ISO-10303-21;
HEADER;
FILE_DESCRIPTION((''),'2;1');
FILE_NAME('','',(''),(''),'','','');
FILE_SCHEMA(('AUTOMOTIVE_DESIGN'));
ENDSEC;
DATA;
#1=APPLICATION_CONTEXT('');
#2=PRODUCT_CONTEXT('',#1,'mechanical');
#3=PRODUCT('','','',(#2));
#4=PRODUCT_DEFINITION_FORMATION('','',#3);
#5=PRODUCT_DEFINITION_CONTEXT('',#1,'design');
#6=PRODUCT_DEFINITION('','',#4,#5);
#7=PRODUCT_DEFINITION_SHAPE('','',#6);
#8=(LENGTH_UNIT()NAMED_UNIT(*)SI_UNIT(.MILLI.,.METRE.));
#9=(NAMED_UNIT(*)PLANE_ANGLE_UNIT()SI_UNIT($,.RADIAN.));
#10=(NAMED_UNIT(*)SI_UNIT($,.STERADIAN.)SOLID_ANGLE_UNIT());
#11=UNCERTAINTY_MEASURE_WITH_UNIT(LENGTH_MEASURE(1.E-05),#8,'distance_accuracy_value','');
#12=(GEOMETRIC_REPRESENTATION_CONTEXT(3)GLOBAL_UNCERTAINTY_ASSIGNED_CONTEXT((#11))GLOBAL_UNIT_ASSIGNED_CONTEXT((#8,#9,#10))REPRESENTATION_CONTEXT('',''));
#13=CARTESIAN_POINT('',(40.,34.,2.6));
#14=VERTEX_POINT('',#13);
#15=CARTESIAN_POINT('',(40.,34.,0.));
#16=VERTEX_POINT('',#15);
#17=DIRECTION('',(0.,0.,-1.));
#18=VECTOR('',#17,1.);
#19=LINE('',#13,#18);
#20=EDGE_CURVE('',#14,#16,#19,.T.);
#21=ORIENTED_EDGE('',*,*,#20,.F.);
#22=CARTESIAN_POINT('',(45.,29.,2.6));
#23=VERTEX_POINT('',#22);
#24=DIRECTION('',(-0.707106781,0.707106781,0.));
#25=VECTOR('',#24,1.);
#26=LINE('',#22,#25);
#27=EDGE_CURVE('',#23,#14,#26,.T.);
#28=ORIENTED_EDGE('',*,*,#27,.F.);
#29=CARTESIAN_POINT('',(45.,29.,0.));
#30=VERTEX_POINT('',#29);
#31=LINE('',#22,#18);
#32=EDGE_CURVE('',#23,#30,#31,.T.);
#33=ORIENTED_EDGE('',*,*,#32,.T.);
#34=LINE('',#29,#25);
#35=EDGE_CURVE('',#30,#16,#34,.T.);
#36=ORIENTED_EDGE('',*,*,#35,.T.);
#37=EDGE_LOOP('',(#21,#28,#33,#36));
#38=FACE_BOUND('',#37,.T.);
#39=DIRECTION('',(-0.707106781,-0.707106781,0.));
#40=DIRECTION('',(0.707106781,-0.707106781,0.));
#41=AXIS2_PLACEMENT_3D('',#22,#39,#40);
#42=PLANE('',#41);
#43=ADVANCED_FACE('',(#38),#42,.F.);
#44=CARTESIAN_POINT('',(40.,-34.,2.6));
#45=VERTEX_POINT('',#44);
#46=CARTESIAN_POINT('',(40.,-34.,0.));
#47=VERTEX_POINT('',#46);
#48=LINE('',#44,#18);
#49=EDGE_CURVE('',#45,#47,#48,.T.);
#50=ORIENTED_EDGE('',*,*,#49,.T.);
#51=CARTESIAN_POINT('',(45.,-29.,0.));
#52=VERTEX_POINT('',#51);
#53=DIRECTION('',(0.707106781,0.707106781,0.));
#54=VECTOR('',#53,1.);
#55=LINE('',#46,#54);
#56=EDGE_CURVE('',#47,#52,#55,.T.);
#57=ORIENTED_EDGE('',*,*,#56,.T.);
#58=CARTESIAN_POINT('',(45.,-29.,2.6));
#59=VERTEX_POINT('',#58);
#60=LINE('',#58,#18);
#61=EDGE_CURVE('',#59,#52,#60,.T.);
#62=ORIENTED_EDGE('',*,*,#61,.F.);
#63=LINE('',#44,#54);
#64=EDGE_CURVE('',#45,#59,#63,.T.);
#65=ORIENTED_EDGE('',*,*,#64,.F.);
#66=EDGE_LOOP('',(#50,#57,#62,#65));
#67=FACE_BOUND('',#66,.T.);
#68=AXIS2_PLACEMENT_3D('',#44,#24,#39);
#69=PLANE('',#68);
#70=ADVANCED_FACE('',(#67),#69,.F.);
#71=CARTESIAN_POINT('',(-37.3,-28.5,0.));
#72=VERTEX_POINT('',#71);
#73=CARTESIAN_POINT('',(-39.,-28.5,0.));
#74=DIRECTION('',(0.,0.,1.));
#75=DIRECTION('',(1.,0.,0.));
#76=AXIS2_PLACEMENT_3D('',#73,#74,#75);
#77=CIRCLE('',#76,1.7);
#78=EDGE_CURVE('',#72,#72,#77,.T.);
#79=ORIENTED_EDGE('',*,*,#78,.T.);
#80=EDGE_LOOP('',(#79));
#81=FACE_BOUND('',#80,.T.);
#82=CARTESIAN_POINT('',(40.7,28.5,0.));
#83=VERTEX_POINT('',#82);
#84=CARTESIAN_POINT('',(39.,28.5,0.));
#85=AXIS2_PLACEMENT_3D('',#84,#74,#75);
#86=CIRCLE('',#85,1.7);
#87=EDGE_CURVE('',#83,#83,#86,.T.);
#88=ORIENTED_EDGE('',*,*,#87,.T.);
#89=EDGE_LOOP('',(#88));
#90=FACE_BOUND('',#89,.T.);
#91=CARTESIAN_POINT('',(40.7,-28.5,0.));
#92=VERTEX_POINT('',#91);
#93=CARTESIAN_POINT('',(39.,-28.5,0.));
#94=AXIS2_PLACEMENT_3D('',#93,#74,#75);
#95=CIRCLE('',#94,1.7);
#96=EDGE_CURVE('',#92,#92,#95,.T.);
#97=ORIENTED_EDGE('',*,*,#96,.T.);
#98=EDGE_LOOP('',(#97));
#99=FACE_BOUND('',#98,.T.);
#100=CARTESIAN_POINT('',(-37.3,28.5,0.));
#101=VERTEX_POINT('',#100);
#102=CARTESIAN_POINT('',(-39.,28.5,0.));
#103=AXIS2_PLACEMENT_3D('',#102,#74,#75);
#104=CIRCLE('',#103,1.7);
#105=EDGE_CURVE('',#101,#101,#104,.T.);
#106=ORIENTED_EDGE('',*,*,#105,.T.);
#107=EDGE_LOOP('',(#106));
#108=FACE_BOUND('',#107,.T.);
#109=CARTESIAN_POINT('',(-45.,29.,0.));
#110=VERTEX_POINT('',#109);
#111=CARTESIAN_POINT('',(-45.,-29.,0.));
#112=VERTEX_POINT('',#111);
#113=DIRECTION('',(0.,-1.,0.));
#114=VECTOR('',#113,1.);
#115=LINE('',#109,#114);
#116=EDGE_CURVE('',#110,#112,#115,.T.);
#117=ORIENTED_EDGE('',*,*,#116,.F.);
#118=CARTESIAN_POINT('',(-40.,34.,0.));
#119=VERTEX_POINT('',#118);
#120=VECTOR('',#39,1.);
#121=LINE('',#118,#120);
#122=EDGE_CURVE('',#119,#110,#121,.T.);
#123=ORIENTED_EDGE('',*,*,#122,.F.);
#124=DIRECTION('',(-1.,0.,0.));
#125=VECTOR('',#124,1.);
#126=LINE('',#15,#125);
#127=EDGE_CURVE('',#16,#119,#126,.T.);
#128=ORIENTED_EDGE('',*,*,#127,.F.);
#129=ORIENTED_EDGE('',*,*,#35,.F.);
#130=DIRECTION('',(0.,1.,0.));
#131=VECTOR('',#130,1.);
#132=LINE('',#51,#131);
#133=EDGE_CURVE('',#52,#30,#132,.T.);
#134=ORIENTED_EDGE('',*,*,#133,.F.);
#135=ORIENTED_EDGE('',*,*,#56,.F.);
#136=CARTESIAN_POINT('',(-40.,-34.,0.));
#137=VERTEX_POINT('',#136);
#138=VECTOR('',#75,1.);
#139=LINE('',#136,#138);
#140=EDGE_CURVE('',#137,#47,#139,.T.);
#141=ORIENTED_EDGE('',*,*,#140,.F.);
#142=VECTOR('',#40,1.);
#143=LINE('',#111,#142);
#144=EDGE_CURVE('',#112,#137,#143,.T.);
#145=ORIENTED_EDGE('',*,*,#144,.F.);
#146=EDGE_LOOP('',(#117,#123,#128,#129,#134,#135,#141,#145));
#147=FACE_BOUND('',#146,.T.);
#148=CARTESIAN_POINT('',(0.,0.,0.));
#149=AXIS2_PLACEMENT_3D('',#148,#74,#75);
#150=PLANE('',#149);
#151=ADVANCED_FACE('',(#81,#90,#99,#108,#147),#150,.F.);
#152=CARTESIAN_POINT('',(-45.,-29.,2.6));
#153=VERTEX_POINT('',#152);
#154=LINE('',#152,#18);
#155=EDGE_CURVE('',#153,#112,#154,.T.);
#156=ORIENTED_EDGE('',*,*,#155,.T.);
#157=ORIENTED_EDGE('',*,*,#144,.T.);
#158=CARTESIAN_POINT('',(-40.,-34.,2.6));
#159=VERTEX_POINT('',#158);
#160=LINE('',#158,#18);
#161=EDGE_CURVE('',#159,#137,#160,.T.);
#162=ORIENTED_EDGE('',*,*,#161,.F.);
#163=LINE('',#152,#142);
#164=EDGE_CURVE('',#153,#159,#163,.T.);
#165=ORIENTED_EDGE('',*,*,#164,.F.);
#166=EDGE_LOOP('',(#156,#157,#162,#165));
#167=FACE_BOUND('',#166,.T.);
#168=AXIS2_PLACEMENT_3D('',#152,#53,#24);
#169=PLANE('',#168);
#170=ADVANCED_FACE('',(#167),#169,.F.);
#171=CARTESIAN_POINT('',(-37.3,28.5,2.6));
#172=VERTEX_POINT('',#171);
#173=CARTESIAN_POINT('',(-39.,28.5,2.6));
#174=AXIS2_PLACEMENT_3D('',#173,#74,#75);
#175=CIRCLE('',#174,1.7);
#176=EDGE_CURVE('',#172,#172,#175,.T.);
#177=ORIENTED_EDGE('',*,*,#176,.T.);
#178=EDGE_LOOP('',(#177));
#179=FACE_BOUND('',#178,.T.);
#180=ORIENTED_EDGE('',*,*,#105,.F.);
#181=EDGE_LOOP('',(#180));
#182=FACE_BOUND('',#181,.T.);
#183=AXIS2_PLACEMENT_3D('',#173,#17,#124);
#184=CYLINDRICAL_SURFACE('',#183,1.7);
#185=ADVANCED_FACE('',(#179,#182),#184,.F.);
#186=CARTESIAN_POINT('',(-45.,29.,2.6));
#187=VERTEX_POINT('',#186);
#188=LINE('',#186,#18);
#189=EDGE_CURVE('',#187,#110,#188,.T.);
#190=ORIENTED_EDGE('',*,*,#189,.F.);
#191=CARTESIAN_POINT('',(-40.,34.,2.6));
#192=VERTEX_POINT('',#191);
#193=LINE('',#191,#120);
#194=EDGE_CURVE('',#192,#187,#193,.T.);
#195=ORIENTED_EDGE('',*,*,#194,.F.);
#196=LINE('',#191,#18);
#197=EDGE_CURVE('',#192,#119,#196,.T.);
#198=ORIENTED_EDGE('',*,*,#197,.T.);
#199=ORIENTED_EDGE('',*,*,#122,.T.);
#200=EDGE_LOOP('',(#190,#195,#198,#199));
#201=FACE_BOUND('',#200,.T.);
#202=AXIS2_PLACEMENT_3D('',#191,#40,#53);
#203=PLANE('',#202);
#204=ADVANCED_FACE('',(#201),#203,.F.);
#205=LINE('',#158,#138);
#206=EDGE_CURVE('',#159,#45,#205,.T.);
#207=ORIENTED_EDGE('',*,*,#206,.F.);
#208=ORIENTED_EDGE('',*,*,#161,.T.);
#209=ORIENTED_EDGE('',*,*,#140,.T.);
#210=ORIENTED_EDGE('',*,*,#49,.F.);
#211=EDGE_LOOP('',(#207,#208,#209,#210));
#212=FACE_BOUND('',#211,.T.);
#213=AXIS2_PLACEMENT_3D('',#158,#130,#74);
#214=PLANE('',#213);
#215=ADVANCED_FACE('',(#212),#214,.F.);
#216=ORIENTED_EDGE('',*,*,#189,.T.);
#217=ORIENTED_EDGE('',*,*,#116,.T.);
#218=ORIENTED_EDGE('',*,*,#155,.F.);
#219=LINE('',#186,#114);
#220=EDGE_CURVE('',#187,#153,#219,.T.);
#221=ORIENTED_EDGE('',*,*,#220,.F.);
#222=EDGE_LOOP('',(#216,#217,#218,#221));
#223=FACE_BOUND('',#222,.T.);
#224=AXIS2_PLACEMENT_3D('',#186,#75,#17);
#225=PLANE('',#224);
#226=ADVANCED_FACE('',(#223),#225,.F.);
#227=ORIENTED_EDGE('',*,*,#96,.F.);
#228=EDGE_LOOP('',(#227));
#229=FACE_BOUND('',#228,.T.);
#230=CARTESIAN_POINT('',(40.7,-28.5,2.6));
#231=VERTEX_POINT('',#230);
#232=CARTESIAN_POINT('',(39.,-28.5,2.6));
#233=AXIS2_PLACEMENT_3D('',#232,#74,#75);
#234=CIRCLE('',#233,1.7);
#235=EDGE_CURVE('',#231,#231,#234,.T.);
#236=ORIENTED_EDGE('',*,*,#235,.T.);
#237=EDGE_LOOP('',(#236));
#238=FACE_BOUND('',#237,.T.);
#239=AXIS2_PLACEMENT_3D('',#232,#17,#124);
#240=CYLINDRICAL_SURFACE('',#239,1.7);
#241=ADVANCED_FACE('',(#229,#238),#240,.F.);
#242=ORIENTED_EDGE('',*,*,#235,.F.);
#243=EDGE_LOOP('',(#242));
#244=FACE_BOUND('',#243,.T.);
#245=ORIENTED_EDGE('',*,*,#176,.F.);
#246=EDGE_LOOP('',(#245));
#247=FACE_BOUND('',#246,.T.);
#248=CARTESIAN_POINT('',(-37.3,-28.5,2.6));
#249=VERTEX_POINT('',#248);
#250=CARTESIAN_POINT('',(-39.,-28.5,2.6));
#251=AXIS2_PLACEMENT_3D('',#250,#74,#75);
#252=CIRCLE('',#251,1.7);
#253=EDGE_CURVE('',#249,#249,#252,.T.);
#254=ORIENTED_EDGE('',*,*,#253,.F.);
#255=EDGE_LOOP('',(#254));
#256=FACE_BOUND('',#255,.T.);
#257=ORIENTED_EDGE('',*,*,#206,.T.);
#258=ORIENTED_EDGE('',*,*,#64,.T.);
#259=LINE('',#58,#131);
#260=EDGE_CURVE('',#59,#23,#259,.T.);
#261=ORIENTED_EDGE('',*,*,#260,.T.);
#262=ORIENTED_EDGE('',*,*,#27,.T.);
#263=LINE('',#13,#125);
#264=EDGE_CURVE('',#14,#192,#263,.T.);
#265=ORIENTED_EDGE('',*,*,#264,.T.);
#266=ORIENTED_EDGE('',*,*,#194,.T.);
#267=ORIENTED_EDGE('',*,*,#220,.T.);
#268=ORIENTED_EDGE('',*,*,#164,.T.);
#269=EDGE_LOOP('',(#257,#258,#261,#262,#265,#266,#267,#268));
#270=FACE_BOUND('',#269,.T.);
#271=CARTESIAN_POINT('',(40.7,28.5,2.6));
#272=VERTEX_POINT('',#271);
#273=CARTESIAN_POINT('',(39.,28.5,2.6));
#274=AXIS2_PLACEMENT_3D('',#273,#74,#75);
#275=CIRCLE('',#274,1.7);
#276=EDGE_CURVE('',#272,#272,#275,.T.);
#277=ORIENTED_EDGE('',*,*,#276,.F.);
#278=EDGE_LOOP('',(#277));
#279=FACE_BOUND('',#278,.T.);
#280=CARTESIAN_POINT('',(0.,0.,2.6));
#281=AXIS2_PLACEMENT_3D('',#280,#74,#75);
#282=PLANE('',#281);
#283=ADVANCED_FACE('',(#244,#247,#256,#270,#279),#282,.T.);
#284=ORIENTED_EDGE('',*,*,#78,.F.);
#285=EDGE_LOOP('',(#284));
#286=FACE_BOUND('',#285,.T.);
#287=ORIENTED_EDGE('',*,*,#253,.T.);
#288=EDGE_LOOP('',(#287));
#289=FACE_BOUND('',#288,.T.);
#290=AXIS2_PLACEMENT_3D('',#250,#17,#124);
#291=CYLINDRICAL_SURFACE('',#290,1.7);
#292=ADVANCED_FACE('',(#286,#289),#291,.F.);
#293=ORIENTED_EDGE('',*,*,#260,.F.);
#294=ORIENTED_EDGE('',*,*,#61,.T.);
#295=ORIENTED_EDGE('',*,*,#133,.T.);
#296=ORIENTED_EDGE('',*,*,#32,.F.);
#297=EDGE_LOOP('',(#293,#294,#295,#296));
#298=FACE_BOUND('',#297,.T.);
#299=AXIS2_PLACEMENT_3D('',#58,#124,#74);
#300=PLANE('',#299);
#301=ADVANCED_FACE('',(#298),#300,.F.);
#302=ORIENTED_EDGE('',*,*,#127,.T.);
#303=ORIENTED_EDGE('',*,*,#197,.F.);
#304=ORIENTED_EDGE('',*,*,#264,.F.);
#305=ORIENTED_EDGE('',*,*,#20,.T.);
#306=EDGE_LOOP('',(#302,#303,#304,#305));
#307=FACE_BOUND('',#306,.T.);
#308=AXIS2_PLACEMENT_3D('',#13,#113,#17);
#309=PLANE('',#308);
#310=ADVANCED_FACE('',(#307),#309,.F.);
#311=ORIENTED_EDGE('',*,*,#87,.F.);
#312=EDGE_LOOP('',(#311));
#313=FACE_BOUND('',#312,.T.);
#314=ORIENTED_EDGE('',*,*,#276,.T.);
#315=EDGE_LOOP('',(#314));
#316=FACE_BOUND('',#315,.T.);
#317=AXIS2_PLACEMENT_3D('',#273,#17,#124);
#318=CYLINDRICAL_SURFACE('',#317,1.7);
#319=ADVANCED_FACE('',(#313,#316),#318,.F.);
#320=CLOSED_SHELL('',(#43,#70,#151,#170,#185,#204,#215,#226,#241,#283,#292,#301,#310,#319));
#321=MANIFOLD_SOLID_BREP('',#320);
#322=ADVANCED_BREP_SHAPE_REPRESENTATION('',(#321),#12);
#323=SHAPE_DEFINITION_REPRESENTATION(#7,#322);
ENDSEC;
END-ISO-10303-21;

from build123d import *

# Parameters (mm, degrees)
FLAT_COVER_WITH_FOUR_D3_4_CLEARANCES_PRO_R = 1.7
FLAT_COVER_WITH_FOUR_D3_4_CLEARANCES_DEPTH = 2.6


with BuildPart() as part:
    # Flat cover with four D3.4 clearances profile → Flat cover with four D3.4 clearances (new body)
    with BuildSketch(Plane.XY):
        Polygon((-40, -34), (40, -34), (45, -29), (45, 29), (40, 34), (-40, 34), (-45, 29), (-45, -29), align=None)
        with Locations((-39, -28.5)):
            Circle(FLAT_COVER_WITH_FOUR_D3_4_CLEARANCES_PRO_R, mode=Mode.SUBTRACT)
        with Locations((39, -28.5)):
            Circle(FLAT_COVER_WITH_FOUR_D3_4_CLEARANCES_PRO_R, mode=Mode.SUBTRACT)
        with Locations((-39, 28.5)):
            Circle(FLAT_COVER_WITH_FOUR_D3_4_CLEARANCES_PRO_R, mode=Mode.SUBTRACT)
        with Locations((39, 28.5)):
            Circle(FLAT_COVER_WITH_FOUR_D3_4_CLEARANCES_PRO_R, mode=Mode.SUBTRACT)
    extrude(amount=FLAT_COVER_WITH_FOUR_D3_4_CLEARANCES_DEPTH)


solid = part.part
